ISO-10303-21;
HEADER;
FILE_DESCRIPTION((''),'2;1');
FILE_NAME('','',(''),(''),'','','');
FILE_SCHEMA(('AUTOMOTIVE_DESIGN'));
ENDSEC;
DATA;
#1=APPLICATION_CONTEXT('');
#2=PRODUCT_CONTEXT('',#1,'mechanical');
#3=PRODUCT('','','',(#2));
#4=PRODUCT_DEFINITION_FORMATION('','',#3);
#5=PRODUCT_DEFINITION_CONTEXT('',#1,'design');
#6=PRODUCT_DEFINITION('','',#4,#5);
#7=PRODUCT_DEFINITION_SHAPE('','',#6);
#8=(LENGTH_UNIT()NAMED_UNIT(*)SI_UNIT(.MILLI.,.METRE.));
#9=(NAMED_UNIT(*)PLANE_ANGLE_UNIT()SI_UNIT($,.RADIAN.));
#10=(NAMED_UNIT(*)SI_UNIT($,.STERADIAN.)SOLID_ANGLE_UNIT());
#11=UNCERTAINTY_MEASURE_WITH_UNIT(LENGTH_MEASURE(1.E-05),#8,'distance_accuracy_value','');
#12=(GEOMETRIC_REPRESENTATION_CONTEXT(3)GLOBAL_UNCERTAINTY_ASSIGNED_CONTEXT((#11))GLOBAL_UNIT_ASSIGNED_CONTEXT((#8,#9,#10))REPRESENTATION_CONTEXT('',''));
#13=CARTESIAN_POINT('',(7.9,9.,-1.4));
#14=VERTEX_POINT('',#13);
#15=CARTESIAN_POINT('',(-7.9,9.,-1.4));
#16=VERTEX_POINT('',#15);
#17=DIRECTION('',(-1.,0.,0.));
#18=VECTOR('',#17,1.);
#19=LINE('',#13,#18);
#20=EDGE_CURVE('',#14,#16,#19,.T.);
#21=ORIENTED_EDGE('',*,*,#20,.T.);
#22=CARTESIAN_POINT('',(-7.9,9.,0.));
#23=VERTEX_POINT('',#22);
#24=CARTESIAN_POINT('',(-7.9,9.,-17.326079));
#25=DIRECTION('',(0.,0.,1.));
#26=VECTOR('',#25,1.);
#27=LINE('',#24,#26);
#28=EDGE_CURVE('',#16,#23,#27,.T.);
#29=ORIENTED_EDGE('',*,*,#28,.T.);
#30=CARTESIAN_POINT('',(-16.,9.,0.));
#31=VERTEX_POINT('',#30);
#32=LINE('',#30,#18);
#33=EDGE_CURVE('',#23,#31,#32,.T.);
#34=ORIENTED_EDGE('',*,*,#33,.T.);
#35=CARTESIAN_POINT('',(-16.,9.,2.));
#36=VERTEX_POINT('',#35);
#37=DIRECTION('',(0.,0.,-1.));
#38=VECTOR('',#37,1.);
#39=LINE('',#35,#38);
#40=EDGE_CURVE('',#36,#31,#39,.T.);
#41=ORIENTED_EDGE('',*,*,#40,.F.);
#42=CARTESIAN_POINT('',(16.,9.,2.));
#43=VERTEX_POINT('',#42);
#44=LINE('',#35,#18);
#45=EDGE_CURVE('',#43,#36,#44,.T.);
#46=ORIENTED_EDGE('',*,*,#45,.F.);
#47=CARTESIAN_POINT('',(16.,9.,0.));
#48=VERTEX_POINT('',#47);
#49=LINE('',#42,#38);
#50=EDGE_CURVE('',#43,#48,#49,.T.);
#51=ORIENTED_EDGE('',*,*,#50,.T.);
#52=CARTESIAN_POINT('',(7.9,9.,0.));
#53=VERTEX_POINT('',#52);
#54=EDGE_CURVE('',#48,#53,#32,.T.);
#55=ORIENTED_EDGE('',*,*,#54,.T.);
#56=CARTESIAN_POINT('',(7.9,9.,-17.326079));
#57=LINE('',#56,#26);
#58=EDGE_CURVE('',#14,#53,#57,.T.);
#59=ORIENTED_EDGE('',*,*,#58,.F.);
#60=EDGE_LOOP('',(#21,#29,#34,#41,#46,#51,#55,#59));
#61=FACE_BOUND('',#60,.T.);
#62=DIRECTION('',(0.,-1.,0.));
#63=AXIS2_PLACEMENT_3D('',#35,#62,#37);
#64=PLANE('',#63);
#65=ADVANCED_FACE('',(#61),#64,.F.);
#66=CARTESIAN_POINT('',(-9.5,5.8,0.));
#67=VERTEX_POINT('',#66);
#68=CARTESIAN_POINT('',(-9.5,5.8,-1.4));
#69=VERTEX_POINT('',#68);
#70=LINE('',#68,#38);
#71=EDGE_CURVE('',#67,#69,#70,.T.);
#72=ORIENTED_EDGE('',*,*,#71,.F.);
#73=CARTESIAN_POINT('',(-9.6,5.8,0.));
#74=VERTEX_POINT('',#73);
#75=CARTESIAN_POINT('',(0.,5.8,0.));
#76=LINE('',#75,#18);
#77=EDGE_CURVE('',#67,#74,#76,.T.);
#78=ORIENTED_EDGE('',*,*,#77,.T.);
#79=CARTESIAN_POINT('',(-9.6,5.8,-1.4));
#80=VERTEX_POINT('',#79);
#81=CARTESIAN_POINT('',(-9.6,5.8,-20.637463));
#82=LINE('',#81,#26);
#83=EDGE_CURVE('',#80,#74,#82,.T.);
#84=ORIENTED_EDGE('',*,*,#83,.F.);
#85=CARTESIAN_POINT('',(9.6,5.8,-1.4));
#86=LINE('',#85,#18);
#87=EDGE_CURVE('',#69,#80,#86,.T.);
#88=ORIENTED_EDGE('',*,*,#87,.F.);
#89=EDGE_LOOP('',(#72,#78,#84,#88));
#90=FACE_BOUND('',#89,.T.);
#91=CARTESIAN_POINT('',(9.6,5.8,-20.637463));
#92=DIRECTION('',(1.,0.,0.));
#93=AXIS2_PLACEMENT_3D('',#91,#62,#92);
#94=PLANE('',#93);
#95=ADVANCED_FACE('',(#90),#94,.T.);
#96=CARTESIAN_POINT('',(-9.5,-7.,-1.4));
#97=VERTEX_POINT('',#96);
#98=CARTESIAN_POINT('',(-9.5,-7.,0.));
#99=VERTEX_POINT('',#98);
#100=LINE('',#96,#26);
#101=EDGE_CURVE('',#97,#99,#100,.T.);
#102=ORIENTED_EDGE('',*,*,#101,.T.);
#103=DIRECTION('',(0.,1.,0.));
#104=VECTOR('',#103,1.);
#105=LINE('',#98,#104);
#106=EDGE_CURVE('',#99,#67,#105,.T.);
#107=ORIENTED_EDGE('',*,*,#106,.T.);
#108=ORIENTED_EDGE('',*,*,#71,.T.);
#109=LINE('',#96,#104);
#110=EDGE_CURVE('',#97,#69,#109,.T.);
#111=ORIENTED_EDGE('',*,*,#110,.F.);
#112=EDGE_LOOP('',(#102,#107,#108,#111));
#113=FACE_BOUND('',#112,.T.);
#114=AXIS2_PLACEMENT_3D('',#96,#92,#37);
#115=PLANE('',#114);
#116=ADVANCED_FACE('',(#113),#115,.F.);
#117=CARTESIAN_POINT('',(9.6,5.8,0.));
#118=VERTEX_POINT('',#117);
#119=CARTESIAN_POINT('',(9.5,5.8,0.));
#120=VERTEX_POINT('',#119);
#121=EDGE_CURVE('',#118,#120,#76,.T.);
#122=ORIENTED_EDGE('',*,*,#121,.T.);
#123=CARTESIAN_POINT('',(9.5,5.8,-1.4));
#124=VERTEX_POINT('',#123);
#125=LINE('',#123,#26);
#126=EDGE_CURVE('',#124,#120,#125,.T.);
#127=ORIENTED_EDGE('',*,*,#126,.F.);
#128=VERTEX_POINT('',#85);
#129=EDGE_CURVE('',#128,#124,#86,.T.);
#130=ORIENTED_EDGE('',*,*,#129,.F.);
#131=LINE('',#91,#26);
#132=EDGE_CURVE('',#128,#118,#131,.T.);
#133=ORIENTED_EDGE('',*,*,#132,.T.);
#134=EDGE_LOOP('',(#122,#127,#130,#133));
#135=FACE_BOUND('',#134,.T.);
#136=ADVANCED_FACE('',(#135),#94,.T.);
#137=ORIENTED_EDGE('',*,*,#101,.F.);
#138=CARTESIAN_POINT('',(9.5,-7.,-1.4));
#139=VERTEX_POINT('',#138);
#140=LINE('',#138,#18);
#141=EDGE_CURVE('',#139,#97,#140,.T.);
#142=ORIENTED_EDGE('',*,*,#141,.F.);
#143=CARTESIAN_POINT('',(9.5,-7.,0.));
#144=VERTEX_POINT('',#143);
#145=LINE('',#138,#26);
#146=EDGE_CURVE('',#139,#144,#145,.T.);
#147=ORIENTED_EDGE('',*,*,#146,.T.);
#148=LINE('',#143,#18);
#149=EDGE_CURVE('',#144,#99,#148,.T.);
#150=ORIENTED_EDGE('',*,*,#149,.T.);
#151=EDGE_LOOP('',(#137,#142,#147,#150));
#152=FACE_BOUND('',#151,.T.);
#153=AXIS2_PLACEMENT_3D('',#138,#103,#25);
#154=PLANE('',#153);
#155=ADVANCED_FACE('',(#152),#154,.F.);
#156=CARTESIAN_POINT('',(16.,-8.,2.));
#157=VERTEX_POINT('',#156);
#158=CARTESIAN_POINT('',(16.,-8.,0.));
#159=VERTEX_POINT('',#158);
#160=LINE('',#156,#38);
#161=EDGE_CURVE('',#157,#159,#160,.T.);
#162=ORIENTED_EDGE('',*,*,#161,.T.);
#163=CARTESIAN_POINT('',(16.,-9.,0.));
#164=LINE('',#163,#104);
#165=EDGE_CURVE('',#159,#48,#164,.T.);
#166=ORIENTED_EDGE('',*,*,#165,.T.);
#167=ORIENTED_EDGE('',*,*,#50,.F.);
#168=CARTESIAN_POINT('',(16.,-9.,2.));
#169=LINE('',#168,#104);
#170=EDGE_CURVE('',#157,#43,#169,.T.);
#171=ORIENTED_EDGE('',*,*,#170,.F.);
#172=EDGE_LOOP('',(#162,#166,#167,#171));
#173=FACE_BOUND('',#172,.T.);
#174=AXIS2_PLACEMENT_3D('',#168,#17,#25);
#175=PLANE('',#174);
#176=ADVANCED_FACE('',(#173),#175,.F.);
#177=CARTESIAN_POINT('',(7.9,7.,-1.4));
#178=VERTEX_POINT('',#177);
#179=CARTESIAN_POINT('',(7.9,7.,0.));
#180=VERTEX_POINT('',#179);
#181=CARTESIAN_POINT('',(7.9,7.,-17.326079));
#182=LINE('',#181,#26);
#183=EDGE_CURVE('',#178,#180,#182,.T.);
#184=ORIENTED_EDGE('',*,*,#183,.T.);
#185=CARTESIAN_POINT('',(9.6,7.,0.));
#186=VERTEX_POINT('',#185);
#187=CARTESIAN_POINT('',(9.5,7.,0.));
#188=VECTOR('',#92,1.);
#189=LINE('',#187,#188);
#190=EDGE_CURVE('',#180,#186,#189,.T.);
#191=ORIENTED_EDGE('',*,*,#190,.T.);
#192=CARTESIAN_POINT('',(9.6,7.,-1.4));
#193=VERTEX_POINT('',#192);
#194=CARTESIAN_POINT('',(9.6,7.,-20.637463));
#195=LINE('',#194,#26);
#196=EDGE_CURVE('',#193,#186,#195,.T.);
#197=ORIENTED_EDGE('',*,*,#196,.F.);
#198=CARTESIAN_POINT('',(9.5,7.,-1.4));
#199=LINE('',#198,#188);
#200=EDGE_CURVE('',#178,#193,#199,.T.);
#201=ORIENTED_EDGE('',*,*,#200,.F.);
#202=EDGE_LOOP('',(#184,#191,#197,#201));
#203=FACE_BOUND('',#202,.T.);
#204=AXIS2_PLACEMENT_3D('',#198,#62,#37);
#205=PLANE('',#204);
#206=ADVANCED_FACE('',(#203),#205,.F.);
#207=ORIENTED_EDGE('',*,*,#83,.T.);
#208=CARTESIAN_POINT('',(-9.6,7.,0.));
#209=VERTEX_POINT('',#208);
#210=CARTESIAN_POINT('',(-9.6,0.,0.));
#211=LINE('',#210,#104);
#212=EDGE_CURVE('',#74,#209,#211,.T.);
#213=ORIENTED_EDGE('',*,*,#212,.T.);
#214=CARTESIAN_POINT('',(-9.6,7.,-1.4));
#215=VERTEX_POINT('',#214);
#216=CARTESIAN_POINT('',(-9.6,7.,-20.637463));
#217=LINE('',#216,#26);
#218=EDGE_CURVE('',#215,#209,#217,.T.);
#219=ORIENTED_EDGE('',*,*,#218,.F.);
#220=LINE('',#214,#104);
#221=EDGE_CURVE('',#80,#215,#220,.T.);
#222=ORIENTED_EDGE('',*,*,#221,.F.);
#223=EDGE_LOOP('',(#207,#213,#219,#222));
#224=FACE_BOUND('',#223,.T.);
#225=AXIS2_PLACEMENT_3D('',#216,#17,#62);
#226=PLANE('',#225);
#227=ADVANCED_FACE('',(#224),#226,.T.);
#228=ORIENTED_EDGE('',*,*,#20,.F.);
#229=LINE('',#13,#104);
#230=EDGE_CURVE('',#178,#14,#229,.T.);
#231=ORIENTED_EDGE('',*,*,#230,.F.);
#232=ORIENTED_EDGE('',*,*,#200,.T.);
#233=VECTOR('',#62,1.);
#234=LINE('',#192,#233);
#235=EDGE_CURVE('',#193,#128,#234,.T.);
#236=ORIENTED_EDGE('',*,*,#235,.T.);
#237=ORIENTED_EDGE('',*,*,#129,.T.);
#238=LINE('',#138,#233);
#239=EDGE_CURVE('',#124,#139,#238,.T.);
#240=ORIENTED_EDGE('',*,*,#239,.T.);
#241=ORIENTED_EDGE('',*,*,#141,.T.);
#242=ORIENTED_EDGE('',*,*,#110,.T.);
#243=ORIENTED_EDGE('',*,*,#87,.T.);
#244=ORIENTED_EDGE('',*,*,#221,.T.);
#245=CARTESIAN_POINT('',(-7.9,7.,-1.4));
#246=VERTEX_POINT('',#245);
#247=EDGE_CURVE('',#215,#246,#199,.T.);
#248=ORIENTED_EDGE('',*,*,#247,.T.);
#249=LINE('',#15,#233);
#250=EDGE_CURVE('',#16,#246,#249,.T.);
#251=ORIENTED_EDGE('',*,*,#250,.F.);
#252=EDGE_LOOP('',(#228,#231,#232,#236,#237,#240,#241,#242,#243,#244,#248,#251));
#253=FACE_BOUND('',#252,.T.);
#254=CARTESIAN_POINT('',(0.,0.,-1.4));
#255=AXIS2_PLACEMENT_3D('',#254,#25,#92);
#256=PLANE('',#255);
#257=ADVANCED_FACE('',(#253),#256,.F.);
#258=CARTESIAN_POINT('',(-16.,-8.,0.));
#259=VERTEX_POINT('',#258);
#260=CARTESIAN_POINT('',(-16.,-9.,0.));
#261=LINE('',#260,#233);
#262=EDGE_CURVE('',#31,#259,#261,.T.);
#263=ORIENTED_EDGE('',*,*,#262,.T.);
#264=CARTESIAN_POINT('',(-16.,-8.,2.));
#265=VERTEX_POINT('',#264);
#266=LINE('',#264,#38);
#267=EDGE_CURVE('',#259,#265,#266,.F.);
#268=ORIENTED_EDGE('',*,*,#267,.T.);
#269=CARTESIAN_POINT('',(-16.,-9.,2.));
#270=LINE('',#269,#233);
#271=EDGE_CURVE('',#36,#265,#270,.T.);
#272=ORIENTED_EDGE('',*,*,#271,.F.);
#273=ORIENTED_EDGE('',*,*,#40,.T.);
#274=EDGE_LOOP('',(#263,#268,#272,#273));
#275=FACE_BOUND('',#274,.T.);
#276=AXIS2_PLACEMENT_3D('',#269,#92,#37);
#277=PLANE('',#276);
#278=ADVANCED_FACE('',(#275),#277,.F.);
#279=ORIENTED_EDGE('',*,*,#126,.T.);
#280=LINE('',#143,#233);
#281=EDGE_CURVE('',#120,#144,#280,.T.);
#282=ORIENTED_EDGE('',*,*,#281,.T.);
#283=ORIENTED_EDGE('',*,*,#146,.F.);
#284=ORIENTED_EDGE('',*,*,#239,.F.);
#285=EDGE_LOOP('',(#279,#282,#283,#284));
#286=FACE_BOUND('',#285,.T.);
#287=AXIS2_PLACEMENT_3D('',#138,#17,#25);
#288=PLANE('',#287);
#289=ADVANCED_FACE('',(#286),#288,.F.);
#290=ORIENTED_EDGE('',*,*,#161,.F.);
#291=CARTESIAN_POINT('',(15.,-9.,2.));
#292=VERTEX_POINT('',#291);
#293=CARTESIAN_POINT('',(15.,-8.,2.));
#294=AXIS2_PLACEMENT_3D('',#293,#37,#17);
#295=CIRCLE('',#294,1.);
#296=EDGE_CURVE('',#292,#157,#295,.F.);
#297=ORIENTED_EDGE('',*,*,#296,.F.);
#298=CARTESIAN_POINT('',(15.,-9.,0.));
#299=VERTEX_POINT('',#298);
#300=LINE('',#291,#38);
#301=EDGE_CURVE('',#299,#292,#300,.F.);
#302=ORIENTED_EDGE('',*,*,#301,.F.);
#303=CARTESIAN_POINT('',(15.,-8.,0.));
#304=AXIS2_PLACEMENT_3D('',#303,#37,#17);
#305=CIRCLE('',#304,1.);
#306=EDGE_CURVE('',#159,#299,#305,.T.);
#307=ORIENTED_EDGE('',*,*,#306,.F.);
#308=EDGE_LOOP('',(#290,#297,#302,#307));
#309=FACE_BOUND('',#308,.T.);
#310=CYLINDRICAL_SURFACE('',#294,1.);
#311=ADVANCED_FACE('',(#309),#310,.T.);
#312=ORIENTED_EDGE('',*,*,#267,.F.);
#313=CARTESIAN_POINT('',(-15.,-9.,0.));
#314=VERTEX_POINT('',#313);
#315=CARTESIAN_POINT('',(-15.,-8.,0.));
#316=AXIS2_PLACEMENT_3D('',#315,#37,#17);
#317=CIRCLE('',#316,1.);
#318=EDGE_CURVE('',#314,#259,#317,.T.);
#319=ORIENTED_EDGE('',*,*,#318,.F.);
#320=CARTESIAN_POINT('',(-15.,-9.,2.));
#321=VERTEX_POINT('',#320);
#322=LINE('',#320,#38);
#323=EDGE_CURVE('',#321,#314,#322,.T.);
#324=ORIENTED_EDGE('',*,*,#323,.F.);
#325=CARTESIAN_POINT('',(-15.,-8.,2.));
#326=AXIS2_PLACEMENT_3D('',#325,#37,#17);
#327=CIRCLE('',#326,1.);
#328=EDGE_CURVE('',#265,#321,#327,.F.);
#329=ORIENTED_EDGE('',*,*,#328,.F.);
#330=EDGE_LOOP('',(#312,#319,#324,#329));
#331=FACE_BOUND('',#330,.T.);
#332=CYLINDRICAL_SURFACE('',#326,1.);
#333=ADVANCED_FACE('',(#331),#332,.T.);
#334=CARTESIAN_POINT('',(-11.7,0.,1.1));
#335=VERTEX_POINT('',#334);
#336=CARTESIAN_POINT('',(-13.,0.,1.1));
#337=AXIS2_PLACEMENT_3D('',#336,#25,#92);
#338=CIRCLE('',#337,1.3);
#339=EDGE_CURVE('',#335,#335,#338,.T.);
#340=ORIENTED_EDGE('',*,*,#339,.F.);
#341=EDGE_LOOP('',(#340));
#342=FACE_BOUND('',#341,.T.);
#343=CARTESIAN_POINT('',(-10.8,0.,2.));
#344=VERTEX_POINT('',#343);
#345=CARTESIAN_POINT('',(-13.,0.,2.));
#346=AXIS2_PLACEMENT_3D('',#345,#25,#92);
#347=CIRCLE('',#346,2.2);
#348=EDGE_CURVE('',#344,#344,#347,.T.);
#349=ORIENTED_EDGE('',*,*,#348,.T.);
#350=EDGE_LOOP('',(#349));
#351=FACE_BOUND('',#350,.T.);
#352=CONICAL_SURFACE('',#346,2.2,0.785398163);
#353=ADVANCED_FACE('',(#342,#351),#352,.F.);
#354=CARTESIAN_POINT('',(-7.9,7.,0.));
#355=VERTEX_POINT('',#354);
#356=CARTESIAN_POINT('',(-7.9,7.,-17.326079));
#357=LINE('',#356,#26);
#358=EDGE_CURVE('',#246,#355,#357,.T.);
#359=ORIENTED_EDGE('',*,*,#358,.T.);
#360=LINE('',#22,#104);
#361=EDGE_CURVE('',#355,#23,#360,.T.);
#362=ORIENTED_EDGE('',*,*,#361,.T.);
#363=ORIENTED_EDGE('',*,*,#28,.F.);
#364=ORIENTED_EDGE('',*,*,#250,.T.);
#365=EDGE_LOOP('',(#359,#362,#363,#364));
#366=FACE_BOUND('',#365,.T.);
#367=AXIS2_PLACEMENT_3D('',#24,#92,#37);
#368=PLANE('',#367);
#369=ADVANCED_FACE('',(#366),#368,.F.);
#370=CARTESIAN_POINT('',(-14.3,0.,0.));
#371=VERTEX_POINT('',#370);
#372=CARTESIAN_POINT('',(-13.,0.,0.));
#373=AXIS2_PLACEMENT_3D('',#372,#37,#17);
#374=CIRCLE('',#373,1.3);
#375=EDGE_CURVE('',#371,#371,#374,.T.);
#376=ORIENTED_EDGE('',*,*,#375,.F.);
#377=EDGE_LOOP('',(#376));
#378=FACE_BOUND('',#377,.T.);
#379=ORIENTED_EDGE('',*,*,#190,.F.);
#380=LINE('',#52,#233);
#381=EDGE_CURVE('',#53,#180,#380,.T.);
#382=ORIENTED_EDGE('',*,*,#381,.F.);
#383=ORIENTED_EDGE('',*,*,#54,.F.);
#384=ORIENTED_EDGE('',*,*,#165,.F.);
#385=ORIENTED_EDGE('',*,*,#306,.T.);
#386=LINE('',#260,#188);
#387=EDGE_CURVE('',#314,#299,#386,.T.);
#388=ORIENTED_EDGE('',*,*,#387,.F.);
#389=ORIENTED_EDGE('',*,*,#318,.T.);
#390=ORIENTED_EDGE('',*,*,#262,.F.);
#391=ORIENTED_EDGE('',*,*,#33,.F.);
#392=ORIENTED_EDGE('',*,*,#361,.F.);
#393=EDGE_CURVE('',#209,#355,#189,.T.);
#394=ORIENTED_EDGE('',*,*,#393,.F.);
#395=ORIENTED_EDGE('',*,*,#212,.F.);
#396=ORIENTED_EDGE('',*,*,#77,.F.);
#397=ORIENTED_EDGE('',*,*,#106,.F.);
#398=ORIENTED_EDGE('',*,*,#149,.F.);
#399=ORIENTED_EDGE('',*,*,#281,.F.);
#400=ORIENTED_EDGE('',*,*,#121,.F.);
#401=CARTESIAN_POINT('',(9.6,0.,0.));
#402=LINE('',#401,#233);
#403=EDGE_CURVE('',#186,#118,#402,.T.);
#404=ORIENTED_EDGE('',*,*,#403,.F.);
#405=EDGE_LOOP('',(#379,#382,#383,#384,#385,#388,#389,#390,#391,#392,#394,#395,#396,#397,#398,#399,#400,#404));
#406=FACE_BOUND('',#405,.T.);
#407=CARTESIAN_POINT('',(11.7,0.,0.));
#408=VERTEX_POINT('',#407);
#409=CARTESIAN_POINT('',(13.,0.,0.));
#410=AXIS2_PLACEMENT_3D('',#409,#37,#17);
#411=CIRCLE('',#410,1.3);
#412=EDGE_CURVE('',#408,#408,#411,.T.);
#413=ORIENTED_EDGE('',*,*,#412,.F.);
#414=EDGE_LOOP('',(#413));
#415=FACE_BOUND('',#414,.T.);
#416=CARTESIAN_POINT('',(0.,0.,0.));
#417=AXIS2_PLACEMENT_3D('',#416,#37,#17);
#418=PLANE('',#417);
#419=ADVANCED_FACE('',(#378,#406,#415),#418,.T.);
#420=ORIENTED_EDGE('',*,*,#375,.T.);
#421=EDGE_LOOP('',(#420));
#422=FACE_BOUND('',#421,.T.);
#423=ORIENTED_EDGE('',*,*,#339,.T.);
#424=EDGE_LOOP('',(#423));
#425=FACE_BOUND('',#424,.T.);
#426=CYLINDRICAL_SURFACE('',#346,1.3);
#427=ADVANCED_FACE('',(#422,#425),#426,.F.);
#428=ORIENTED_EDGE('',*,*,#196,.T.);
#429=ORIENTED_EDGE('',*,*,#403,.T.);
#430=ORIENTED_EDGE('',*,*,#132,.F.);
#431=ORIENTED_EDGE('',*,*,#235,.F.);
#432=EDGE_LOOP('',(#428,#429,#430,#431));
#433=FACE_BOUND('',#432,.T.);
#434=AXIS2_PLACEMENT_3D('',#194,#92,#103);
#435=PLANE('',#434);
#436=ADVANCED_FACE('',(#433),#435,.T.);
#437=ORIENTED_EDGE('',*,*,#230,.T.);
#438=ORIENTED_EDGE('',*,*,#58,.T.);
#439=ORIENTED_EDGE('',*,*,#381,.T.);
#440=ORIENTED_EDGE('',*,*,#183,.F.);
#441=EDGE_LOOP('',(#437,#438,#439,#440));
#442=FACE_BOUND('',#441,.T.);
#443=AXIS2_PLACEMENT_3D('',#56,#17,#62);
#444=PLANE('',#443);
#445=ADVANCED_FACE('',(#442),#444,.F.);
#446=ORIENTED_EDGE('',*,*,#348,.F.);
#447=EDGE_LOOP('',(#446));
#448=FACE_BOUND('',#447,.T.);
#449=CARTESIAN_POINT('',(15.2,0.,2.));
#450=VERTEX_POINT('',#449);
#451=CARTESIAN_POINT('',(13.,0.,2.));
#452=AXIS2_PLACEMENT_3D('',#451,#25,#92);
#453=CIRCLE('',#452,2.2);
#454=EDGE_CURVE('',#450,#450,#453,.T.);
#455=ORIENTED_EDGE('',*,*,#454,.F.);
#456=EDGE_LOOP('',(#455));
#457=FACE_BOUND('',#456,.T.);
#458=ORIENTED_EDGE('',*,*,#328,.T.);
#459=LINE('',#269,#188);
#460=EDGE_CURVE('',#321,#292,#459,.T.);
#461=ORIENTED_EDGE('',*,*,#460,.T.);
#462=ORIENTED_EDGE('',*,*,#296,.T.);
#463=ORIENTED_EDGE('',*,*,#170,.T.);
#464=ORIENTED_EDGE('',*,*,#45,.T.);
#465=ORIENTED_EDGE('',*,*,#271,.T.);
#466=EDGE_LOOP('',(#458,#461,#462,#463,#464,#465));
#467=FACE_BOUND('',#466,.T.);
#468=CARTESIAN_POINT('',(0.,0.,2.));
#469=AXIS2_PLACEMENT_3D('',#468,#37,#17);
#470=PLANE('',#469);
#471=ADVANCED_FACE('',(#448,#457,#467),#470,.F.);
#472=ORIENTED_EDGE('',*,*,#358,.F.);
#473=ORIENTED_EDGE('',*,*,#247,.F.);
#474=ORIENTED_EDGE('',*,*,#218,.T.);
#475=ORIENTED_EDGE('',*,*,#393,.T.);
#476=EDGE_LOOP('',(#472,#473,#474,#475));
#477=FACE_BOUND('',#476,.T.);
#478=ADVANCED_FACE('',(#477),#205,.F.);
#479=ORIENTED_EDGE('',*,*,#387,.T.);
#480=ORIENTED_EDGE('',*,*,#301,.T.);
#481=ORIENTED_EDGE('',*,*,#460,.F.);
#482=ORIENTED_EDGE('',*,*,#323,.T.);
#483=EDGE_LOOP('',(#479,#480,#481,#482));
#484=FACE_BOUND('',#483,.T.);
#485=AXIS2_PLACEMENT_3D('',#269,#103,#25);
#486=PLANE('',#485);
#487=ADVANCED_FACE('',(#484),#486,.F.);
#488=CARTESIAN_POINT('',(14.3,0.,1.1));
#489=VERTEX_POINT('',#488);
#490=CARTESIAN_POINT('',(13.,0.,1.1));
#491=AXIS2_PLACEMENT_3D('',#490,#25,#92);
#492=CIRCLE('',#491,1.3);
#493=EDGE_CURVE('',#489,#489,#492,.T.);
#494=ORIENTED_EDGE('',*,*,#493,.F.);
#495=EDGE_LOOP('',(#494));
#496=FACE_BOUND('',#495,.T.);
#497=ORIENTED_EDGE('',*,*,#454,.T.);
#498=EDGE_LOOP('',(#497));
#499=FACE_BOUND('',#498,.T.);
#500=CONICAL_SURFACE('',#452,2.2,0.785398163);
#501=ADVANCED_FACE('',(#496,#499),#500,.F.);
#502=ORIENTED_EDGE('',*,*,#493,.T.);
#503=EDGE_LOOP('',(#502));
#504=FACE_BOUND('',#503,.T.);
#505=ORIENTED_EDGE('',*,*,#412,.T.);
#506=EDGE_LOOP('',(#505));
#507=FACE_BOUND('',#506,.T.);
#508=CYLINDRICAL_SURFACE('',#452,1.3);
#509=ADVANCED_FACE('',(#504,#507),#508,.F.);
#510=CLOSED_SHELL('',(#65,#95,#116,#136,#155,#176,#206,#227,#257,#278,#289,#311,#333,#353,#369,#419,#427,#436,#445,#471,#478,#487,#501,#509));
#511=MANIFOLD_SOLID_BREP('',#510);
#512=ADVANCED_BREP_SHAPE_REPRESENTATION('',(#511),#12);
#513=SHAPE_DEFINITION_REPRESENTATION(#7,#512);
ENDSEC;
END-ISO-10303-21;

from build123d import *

# Parameters (mm, degrees)
ESQUISSE1_W                                    = 32
ESQUISSE1_H                                    = 18
BOSS_EXTRU_1_DEPTH                             = 2
ESQUISSE2_W                                    = 19
ESQUISSE2_H                                    = 14
BOSS_EXTRU_2_DEPTH                             = 1.4
FRAISAGE_POUR_VIS_T_TE_FRAIS_E_M21_D           = 2.6
FRAISAGE_POUR_VIS_T_TE_FRAIS_E_M21_CSINK_D     = 4.4
FRAISAGE_POUR_VIS_T_TE_FRAIS_E_M21_CSINK_ANGLE = 90
ESQUISSE6_W                                    = 15.8
ESQUISSE6_H                                    = 2
BOSS_EXTRU_3_DEPTH                             = 1.4
ESQUISSE7_W                                    = 19.2
ESQUISSE7_H                                    = 1.2
BOSS_EXTRU_4_DEPTH                             = 3.4
CONG_7_R                                       = 1


with BuildPart() as part:
    # Esquisse1 → Boss.-Extru.1 (new body)
    with BuildSketch(Plane.XY):
        Rectangle(ESQUISSE1_W, ESQUISSE1_H)
    extrude(amount=BOSS_EXTRU_1_DEPTH)

    # Esquisse2 → Boss.-Extru.2 (add)
    with BuildSketch(Plane(origin=(0, 0, 0), x_dir=(-1, 0, 0), z_dir=(0, 0, -1))):
        Rectangle(ESQUISSE2_W, ESQUISSE2_H)
    extrude(amount=BOSS_EXTRU_2_DEPTH)

    # Fraisage pour vis à tête fraisée M21 (through all)
    with Locations(Plane.XY.offset(2)):
        with Locations((-13, 0)):
            fraisage_pour_vis_t_te_frais_e_m21 = CounterSinkHole(FRAISAGE_POUR_VIS_T_TE_FRAIS_E_M21_D / 2, FRAISAGE_POUR_VIS_T_TE_FRAIS_E_M21_CSINK_D / 2, counter_sink_angle=FRAISAGE_POUR_VIS_T_TE_FRAIS_E_M21_CSINK_ANGLE)

    # Symétrie1: Fraisage pour vis à tête fraisée M21 across plane
    add(fraisage_pour_vis_t_te_frais_e_m21.mirror(Plane(origin=(0, 0, 0), x_dir=(0, 0, 1), z_dir=(1, 0, 0))), mode=Mode.SUBTRACT)

    # Esquisse6 → Boss.-Extru.3 (add)
    with BuildSketch(Plane(origin=(0, 0, 0), x_dir=(-1, 0, 0), z_dir=(0, 0, -1))):
        with Locations((0, 8)):
            Rectangle(ESQUISSE6_W, ESQUISSE6_H)
    extrude(amount=BOSS_EXTRU_3_DEPTH)

    # Esquisse7 → Boss.-Extru.4 (add)
    with BuildSketch(Plane.XY.offset(2)):
        with Locations((0, 6.4)):
            Rectangle(ESQUISSE7_W, ESQUISSE7_H)
    extrude(amount=-BOSS_EXTRU_4_DEPTH)

    # Congé7
    cong_7_edges = [part.edges().sort_by_distance(p)[0] for p in [
        (16, -9, 1),
        (-16, -9, 1),
    ]]
    fillet(cong_7_edges, radius=CONG_7_R)


solid = part.part
